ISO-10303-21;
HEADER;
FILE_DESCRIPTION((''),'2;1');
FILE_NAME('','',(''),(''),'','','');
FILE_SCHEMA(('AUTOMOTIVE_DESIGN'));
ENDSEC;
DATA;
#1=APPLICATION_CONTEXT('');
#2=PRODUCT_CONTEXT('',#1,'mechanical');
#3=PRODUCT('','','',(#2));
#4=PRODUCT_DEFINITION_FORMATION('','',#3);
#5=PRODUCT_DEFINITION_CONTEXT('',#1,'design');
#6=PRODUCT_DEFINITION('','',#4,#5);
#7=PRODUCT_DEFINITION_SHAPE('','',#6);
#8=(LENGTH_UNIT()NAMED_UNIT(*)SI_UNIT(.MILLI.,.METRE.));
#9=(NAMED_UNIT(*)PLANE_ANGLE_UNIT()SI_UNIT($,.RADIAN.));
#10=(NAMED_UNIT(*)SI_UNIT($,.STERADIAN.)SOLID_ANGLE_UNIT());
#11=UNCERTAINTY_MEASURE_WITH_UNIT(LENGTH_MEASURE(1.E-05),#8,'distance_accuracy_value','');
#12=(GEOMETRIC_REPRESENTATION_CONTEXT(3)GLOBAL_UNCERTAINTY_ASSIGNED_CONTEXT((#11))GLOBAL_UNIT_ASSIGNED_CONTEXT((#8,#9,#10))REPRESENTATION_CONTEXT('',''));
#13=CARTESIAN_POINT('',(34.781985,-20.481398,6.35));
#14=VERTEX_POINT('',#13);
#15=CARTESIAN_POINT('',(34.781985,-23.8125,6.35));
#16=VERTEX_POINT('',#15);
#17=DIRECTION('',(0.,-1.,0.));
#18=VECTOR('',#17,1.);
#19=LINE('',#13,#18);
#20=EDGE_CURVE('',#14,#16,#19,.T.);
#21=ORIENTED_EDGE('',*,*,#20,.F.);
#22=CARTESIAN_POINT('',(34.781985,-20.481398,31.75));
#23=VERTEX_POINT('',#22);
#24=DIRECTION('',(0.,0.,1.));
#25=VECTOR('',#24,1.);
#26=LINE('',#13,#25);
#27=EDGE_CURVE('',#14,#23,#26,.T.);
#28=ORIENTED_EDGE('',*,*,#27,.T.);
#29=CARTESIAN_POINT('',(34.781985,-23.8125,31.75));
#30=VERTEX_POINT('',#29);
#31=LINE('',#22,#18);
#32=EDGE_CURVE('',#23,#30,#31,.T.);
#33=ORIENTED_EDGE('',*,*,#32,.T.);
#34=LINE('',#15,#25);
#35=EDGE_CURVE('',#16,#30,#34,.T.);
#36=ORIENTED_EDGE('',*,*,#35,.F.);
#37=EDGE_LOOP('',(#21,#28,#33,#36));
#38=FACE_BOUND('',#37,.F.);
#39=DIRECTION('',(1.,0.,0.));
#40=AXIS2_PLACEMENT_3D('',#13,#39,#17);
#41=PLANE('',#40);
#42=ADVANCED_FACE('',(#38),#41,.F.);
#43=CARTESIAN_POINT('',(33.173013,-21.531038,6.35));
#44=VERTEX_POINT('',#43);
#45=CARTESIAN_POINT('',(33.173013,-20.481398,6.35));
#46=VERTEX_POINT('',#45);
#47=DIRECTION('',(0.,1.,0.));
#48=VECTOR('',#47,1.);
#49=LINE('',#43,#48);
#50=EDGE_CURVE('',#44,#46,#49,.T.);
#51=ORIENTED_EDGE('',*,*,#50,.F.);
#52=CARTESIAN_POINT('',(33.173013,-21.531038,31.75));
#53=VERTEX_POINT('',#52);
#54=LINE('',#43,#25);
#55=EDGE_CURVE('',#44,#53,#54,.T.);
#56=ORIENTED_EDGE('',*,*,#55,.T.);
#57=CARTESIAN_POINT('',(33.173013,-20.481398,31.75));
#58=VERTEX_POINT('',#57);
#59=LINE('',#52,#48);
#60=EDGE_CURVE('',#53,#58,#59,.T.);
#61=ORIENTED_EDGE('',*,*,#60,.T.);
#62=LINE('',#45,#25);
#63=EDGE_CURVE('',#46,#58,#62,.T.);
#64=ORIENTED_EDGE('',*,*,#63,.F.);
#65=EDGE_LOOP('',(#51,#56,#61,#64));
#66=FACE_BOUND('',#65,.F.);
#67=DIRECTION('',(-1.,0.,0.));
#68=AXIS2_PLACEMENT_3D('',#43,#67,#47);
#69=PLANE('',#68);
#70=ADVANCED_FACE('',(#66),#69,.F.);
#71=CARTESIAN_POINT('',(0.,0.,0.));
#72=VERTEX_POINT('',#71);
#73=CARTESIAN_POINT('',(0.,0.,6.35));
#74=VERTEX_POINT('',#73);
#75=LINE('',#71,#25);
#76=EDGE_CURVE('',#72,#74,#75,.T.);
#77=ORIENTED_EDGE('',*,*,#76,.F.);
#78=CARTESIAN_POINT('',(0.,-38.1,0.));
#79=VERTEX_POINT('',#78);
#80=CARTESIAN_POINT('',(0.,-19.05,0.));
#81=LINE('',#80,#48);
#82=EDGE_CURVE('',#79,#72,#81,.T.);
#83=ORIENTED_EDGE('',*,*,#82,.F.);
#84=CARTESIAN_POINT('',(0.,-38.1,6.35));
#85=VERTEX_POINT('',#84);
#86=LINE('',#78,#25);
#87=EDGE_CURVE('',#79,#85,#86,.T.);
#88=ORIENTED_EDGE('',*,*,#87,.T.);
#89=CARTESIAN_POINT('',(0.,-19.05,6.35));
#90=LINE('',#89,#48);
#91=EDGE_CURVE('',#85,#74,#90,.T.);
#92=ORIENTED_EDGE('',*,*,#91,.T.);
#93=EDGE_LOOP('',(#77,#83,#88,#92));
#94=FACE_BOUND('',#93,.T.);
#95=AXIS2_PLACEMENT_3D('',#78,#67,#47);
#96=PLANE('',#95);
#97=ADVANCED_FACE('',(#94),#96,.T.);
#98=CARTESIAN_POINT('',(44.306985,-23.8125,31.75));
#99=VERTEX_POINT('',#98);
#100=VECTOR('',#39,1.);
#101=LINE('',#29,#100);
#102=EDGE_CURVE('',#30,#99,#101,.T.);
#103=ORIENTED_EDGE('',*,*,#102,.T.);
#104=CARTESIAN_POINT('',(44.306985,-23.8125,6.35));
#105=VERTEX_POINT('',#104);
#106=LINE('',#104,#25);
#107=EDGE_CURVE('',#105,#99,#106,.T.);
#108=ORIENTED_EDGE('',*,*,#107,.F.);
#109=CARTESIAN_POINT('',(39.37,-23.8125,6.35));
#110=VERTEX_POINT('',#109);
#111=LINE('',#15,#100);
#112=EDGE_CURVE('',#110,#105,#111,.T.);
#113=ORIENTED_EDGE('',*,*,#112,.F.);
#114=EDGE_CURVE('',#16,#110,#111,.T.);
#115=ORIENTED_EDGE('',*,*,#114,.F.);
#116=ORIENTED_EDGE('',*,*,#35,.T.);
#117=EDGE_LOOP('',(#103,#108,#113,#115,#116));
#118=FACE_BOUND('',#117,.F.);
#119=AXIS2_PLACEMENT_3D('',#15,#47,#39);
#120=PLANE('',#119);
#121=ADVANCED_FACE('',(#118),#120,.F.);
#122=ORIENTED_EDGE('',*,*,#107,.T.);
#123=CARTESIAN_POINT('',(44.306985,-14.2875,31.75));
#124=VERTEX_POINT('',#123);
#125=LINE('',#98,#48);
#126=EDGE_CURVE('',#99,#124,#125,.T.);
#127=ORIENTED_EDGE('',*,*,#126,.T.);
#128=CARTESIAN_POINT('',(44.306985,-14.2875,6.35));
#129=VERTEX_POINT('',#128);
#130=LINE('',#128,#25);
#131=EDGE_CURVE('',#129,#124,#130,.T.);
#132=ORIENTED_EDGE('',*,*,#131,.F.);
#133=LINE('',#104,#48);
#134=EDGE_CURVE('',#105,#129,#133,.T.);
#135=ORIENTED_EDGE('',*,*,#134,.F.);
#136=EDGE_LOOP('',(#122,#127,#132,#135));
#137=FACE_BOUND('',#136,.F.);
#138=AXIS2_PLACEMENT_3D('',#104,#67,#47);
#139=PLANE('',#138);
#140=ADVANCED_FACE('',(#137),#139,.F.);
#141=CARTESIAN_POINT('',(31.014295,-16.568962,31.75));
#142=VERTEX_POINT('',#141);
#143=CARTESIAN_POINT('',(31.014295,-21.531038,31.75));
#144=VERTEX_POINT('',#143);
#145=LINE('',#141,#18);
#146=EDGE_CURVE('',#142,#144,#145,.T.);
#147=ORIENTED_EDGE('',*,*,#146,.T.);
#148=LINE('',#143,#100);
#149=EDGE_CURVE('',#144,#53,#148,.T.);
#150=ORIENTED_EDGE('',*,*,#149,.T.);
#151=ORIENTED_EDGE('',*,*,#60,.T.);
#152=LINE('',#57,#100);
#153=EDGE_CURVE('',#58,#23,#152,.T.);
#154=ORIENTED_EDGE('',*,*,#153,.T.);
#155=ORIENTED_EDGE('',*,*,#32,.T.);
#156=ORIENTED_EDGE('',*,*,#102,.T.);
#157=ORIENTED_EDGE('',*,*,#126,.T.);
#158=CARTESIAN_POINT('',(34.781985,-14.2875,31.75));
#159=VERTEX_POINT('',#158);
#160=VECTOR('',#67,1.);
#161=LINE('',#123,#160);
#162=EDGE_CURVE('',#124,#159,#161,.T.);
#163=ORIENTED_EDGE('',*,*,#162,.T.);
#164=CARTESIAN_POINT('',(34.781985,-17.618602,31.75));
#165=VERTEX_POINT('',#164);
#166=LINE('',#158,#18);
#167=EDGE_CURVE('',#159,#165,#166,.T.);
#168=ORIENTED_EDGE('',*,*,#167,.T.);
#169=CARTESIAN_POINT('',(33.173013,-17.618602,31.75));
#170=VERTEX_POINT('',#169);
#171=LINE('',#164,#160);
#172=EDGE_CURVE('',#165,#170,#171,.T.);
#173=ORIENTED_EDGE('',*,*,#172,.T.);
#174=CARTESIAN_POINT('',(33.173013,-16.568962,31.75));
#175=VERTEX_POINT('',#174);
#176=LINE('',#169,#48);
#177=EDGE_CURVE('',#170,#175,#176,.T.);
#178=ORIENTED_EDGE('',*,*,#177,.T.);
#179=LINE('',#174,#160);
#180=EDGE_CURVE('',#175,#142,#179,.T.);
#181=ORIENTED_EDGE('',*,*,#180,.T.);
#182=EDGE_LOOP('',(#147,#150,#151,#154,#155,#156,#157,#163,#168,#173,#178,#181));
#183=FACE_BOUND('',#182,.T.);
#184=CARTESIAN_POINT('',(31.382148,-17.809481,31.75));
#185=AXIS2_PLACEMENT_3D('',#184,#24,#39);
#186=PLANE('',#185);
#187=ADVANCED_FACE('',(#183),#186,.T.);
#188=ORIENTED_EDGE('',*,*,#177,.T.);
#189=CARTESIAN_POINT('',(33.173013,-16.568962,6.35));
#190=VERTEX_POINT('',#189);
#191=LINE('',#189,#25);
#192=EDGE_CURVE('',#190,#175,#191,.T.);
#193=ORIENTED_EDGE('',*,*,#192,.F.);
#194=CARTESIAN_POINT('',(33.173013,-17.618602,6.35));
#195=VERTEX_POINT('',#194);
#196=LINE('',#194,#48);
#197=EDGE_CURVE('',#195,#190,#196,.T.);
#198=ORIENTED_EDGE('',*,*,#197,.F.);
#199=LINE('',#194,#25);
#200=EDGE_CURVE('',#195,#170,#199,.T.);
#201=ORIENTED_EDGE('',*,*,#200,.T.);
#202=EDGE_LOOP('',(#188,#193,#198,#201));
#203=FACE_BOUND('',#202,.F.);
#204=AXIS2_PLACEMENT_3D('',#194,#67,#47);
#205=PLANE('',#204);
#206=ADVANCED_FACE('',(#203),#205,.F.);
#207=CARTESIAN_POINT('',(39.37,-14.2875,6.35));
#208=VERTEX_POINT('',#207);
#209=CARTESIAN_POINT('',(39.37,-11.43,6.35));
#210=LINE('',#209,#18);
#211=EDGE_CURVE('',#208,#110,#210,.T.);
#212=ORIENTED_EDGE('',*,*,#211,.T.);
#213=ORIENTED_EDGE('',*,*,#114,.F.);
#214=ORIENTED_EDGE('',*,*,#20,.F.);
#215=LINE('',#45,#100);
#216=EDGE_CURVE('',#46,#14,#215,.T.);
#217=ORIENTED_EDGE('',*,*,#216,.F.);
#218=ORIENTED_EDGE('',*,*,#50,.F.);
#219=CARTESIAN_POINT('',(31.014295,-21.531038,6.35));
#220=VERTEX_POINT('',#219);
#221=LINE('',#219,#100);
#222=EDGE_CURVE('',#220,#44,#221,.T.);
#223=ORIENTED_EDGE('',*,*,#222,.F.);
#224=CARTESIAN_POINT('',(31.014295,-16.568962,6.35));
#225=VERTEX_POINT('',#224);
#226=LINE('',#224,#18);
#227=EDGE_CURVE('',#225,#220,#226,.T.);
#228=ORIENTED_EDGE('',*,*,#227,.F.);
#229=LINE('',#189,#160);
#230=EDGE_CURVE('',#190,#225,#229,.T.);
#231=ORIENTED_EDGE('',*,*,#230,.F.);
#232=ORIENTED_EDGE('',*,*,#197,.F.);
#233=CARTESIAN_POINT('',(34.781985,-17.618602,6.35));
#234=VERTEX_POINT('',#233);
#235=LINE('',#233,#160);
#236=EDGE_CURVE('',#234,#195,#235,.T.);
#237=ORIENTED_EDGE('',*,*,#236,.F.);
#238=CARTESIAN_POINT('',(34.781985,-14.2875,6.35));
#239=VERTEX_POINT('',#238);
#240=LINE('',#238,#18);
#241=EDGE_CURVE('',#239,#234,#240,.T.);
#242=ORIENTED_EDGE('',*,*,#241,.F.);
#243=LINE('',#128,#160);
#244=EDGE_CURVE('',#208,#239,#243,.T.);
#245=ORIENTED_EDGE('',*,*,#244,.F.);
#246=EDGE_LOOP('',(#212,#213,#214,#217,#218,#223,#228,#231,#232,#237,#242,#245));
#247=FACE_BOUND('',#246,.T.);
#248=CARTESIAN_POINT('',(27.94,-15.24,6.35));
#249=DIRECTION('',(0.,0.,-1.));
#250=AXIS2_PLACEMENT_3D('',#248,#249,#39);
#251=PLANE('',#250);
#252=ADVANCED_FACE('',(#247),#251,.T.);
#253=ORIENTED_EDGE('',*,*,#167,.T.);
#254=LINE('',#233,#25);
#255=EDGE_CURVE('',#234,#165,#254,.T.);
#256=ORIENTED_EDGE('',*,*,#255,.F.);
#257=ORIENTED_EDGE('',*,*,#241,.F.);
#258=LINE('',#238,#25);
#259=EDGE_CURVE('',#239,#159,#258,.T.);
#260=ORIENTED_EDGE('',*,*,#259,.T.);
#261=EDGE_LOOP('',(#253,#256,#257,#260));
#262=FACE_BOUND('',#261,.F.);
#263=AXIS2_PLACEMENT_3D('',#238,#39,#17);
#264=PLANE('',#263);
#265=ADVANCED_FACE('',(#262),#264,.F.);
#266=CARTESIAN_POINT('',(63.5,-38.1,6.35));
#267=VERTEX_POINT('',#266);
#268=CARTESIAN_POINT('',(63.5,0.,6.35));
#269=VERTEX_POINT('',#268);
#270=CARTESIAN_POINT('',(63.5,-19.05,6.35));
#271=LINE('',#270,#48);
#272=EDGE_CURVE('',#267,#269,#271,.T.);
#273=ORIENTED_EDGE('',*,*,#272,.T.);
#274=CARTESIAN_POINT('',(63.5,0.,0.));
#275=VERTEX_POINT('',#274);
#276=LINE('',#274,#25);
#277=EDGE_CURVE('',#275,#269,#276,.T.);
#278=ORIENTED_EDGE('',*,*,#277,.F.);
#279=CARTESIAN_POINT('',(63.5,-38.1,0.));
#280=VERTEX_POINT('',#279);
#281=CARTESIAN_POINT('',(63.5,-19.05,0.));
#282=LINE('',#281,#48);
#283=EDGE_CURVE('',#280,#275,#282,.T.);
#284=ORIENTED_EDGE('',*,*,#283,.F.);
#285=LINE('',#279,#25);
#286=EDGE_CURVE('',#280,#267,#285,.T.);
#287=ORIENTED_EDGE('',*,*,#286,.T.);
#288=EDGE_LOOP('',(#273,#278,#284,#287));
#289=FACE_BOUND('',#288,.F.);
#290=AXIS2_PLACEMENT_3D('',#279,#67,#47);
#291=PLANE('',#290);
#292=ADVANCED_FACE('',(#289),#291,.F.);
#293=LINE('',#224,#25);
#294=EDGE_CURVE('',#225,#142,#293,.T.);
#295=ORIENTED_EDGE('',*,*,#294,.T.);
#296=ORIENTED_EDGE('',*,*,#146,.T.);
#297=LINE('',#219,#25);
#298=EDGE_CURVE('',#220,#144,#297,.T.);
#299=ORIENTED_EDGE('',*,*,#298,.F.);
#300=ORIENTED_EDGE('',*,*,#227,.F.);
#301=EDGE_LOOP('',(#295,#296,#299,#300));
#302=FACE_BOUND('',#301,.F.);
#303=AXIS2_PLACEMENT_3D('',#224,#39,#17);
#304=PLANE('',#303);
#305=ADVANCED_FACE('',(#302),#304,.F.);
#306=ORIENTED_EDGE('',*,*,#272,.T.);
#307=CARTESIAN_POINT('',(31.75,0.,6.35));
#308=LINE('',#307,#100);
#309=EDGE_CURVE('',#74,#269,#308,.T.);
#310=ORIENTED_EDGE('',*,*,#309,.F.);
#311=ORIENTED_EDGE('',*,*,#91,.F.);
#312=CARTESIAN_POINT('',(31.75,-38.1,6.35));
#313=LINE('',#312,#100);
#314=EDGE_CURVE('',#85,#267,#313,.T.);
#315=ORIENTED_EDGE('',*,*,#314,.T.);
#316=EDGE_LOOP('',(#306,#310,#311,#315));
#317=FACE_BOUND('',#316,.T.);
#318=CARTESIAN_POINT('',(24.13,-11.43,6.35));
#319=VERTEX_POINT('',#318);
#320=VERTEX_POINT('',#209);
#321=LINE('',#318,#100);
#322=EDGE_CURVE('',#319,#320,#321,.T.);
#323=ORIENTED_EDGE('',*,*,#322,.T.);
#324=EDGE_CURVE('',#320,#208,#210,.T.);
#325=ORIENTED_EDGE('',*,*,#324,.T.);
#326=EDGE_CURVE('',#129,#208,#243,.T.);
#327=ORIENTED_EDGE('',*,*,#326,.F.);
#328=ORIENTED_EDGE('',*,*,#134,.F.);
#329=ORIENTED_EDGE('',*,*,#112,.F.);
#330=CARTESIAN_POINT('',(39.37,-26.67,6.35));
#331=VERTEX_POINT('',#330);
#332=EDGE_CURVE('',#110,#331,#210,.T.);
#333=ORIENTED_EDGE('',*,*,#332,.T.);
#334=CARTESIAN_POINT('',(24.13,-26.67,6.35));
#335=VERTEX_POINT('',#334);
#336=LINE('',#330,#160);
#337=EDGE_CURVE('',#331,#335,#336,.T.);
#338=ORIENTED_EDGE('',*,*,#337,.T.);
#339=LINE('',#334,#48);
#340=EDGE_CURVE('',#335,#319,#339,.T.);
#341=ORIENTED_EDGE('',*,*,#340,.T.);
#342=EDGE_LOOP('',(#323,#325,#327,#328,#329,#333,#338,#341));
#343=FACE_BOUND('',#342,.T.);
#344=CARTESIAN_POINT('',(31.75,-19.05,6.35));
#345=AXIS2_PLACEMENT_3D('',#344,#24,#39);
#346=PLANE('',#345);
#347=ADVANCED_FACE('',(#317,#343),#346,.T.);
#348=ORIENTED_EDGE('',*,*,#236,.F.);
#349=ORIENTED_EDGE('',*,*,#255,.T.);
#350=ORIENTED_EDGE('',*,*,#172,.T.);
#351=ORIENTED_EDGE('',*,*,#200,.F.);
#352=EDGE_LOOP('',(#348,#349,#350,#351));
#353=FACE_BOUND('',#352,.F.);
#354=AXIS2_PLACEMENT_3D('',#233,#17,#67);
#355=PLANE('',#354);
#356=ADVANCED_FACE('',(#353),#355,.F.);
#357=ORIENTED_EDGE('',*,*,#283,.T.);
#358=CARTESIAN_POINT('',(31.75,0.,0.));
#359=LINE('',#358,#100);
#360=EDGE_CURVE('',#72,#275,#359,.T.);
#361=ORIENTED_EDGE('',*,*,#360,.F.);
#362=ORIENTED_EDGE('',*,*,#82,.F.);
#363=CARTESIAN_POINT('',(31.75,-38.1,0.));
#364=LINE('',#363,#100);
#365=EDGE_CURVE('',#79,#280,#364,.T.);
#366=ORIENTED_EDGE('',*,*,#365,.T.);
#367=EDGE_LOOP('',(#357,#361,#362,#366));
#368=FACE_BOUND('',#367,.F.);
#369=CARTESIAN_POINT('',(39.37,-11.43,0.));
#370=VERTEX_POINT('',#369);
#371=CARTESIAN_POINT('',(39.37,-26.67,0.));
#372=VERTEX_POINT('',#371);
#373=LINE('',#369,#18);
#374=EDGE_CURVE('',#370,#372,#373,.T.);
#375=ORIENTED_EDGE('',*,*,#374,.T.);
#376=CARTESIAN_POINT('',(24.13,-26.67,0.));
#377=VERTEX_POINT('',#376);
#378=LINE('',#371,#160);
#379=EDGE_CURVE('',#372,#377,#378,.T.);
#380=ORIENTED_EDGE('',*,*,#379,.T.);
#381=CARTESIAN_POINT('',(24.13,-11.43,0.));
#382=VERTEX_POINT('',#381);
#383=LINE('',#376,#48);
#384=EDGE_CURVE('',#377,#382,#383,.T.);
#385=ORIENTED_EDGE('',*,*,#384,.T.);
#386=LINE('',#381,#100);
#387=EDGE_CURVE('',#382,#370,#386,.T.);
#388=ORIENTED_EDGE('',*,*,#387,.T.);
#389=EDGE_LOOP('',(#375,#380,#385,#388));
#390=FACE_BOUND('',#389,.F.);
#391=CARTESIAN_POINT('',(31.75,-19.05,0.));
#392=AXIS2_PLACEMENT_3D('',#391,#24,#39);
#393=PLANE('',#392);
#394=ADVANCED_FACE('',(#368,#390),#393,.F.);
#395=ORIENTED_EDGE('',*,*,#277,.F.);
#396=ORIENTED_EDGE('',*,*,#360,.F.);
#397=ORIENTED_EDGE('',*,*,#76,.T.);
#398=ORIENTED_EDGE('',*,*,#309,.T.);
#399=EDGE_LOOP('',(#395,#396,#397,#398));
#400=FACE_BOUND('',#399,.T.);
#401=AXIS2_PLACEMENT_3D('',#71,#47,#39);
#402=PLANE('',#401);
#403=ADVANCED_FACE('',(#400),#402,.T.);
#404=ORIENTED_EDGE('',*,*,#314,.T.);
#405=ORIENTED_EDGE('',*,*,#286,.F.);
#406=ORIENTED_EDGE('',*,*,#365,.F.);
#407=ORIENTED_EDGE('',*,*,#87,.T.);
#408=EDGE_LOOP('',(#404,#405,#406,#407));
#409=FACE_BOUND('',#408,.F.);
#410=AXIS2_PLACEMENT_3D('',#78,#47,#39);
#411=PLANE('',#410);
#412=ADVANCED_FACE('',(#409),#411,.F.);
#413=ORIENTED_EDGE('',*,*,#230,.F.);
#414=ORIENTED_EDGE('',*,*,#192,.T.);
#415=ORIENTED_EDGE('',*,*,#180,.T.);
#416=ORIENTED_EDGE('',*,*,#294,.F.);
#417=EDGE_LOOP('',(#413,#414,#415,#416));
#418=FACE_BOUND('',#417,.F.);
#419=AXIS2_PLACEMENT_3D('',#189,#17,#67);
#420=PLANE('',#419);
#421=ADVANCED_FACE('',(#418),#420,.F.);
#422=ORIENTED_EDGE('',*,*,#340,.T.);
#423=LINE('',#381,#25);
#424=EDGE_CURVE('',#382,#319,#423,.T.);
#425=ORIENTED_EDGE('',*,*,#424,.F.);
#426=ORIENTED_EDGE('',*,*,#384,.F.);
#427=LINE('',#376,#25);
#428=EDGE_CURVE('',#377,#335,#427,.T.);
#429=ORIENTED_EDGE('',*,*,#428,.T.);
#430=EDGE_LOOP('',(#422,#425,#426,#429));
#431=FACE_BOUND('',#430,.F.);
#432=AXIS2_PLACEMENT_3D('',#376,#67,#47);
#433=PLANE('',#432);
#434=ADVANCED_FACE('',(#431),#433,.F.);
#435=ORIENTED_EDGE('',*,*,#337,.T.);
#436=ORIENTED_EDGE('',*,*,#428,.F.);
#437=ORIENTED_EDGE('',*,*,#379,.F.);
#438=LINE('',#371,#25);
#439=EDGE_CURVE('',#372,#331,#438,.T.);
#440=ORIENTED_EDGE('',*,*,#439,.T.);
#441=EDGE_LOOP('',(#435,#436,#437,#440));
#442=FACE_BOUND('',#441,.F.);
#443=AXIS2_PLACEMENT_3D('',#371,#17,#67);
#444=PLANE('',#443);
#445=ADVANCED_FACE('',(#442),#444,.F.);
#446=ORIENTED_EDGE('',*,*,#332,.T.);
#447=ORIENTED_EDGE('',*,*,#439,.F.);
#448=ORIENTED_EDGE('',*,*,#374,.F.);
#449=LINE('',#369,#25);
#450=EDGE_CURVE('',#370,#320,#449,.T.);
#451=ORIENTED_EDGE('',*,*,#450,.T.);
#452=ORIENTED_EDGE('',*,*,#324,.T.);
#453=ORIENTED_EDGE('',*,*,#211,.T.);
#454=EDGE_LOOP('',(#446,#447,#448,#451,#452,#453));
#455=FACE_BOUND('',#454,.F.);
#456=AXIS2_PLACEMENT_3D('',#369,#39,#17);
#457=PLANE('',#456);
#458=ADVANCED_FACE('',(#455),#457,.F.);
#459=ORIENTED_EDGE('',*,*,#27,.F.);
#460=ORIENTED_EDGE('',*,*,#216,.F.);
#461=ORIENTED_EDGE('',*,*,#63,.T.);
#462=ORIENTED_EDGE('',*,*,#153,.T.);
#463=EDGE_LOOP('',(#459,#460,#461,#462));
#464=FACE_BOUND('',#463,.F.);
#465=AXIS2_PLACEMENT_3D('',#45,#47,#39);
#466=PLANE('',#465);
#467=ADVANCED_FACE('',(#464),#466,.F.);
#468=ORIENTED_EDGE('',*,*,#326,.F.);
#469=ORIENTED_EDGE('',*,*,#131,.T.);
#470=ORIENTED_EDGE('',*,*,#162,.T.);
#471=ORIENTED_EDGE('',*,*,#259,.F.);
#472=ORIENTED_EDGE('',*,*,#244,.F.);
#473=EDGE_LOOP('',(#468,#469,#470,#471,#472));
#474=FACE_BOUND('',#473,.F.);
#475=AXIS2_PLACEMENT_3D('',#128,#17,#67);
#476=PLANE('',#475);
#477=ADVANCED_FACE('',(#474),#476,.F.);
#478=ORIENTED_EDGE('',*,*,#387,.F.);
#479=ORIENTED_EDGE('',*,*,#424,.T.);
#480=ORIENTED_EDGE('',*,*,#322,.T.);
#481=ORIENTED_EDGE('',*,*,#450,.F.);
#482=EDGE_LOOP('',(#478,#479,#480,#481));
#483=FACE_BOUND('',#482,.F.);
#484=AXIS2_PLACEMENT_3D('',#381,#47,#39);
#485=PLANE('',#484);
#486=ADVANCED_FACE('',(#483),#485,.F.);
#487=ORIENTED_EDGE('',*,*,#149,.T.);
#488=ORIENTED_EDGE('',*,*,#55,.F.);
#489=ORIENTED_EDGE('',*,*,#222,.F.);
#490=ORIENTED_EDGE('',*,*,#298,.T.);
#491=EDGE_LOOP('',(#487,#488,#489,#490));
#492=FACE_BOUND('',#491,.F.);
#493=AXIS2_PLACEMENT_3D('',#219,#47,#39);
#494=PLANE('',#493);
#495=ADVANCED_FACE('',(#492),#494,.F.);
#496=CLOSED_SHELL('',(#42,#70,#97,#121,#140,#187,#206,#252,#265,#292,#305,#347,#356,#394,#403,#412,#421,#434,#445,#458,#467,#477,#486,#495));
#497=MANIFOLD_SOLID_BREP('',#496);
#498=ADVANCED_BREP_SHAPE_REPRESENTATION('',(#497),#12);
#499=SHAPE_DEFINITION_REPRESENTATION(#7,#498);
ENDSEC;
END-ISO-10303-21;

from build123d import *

# Parameters (mm, degrees)
F0_W     = 63.5
F0_H     = 38.1
F1_DEPTH = 6.35
F2_W     = 0.7357047051
F2_H     = 2.4810375154
F3_DEPTH = 25.4
F4_W     = 7.62
F4_H     = 7.62
F5_DEPTH = 6.35


with BuildPart() as f1:
    # F0 (on Top) → F1 (new body)
    with BuildSketch(Plane.XY):
        with Locations((31.75, -19.05)):
            Rectangle(F0_W, F0_H)
    extrude(amount=F1_DEPTH)

    # F2 (on face) → F3 (join)
    with BuildSketch(Plane.XY.offset(6.35)):
        with Locations((31.3821476474, -17.8094812423)):
            Rectangle(F2_W, F2_H)
        Polygon((33.1730134785, -16.5689624846), (31.75, -16.5689624846), (31.75, -19.05), (44.3069849849, -19.05), (44.3069849849, -14.2875), (34.7819849849, -14.2875), (34.7819849849, -17.6186021417), (33.1730134785, -17.6186021417), align=None)
        with Locations((31.3821476474, -20.2905187577)):
            Rectangle(F2_W, F2_H)
        Polygon((44.3069849849, -19.05), (31.75, -19.05), (31.75, -21.5310375154), (33.1730134785, -21.5310375154), (33.1730134785, -20.4813978583), (34.7819849849, -20.4813978583), (34.7819849849, -23.8125), (44.3069849849, -23.8125), align=None)
    extrude(amount=F3_DEPTH)

    # F4 (on face) → F5 (cut)
    with BuildSketch(Plane(origin=(0, 0, 0), x_dir=(1, 0, 0), z_dir=(0, 0, -1))):
        with Locations((27.94, 15.24)):
            Rectangle(F4_W, F4_H)
        with Locations((35.56, 15.24)):
            Rectangle(F4_W, F4_H)
        with Locations((35.56, 22.86)):
            Rectangle(F4_W, F4_H)
        with Locations((27.94, 22.86)):
            Rectangle(F4_W, F4_H)
    extrude(amount=-F5_DEPTH, mode=Mode.SUBTRACT)


solid = f1.part
